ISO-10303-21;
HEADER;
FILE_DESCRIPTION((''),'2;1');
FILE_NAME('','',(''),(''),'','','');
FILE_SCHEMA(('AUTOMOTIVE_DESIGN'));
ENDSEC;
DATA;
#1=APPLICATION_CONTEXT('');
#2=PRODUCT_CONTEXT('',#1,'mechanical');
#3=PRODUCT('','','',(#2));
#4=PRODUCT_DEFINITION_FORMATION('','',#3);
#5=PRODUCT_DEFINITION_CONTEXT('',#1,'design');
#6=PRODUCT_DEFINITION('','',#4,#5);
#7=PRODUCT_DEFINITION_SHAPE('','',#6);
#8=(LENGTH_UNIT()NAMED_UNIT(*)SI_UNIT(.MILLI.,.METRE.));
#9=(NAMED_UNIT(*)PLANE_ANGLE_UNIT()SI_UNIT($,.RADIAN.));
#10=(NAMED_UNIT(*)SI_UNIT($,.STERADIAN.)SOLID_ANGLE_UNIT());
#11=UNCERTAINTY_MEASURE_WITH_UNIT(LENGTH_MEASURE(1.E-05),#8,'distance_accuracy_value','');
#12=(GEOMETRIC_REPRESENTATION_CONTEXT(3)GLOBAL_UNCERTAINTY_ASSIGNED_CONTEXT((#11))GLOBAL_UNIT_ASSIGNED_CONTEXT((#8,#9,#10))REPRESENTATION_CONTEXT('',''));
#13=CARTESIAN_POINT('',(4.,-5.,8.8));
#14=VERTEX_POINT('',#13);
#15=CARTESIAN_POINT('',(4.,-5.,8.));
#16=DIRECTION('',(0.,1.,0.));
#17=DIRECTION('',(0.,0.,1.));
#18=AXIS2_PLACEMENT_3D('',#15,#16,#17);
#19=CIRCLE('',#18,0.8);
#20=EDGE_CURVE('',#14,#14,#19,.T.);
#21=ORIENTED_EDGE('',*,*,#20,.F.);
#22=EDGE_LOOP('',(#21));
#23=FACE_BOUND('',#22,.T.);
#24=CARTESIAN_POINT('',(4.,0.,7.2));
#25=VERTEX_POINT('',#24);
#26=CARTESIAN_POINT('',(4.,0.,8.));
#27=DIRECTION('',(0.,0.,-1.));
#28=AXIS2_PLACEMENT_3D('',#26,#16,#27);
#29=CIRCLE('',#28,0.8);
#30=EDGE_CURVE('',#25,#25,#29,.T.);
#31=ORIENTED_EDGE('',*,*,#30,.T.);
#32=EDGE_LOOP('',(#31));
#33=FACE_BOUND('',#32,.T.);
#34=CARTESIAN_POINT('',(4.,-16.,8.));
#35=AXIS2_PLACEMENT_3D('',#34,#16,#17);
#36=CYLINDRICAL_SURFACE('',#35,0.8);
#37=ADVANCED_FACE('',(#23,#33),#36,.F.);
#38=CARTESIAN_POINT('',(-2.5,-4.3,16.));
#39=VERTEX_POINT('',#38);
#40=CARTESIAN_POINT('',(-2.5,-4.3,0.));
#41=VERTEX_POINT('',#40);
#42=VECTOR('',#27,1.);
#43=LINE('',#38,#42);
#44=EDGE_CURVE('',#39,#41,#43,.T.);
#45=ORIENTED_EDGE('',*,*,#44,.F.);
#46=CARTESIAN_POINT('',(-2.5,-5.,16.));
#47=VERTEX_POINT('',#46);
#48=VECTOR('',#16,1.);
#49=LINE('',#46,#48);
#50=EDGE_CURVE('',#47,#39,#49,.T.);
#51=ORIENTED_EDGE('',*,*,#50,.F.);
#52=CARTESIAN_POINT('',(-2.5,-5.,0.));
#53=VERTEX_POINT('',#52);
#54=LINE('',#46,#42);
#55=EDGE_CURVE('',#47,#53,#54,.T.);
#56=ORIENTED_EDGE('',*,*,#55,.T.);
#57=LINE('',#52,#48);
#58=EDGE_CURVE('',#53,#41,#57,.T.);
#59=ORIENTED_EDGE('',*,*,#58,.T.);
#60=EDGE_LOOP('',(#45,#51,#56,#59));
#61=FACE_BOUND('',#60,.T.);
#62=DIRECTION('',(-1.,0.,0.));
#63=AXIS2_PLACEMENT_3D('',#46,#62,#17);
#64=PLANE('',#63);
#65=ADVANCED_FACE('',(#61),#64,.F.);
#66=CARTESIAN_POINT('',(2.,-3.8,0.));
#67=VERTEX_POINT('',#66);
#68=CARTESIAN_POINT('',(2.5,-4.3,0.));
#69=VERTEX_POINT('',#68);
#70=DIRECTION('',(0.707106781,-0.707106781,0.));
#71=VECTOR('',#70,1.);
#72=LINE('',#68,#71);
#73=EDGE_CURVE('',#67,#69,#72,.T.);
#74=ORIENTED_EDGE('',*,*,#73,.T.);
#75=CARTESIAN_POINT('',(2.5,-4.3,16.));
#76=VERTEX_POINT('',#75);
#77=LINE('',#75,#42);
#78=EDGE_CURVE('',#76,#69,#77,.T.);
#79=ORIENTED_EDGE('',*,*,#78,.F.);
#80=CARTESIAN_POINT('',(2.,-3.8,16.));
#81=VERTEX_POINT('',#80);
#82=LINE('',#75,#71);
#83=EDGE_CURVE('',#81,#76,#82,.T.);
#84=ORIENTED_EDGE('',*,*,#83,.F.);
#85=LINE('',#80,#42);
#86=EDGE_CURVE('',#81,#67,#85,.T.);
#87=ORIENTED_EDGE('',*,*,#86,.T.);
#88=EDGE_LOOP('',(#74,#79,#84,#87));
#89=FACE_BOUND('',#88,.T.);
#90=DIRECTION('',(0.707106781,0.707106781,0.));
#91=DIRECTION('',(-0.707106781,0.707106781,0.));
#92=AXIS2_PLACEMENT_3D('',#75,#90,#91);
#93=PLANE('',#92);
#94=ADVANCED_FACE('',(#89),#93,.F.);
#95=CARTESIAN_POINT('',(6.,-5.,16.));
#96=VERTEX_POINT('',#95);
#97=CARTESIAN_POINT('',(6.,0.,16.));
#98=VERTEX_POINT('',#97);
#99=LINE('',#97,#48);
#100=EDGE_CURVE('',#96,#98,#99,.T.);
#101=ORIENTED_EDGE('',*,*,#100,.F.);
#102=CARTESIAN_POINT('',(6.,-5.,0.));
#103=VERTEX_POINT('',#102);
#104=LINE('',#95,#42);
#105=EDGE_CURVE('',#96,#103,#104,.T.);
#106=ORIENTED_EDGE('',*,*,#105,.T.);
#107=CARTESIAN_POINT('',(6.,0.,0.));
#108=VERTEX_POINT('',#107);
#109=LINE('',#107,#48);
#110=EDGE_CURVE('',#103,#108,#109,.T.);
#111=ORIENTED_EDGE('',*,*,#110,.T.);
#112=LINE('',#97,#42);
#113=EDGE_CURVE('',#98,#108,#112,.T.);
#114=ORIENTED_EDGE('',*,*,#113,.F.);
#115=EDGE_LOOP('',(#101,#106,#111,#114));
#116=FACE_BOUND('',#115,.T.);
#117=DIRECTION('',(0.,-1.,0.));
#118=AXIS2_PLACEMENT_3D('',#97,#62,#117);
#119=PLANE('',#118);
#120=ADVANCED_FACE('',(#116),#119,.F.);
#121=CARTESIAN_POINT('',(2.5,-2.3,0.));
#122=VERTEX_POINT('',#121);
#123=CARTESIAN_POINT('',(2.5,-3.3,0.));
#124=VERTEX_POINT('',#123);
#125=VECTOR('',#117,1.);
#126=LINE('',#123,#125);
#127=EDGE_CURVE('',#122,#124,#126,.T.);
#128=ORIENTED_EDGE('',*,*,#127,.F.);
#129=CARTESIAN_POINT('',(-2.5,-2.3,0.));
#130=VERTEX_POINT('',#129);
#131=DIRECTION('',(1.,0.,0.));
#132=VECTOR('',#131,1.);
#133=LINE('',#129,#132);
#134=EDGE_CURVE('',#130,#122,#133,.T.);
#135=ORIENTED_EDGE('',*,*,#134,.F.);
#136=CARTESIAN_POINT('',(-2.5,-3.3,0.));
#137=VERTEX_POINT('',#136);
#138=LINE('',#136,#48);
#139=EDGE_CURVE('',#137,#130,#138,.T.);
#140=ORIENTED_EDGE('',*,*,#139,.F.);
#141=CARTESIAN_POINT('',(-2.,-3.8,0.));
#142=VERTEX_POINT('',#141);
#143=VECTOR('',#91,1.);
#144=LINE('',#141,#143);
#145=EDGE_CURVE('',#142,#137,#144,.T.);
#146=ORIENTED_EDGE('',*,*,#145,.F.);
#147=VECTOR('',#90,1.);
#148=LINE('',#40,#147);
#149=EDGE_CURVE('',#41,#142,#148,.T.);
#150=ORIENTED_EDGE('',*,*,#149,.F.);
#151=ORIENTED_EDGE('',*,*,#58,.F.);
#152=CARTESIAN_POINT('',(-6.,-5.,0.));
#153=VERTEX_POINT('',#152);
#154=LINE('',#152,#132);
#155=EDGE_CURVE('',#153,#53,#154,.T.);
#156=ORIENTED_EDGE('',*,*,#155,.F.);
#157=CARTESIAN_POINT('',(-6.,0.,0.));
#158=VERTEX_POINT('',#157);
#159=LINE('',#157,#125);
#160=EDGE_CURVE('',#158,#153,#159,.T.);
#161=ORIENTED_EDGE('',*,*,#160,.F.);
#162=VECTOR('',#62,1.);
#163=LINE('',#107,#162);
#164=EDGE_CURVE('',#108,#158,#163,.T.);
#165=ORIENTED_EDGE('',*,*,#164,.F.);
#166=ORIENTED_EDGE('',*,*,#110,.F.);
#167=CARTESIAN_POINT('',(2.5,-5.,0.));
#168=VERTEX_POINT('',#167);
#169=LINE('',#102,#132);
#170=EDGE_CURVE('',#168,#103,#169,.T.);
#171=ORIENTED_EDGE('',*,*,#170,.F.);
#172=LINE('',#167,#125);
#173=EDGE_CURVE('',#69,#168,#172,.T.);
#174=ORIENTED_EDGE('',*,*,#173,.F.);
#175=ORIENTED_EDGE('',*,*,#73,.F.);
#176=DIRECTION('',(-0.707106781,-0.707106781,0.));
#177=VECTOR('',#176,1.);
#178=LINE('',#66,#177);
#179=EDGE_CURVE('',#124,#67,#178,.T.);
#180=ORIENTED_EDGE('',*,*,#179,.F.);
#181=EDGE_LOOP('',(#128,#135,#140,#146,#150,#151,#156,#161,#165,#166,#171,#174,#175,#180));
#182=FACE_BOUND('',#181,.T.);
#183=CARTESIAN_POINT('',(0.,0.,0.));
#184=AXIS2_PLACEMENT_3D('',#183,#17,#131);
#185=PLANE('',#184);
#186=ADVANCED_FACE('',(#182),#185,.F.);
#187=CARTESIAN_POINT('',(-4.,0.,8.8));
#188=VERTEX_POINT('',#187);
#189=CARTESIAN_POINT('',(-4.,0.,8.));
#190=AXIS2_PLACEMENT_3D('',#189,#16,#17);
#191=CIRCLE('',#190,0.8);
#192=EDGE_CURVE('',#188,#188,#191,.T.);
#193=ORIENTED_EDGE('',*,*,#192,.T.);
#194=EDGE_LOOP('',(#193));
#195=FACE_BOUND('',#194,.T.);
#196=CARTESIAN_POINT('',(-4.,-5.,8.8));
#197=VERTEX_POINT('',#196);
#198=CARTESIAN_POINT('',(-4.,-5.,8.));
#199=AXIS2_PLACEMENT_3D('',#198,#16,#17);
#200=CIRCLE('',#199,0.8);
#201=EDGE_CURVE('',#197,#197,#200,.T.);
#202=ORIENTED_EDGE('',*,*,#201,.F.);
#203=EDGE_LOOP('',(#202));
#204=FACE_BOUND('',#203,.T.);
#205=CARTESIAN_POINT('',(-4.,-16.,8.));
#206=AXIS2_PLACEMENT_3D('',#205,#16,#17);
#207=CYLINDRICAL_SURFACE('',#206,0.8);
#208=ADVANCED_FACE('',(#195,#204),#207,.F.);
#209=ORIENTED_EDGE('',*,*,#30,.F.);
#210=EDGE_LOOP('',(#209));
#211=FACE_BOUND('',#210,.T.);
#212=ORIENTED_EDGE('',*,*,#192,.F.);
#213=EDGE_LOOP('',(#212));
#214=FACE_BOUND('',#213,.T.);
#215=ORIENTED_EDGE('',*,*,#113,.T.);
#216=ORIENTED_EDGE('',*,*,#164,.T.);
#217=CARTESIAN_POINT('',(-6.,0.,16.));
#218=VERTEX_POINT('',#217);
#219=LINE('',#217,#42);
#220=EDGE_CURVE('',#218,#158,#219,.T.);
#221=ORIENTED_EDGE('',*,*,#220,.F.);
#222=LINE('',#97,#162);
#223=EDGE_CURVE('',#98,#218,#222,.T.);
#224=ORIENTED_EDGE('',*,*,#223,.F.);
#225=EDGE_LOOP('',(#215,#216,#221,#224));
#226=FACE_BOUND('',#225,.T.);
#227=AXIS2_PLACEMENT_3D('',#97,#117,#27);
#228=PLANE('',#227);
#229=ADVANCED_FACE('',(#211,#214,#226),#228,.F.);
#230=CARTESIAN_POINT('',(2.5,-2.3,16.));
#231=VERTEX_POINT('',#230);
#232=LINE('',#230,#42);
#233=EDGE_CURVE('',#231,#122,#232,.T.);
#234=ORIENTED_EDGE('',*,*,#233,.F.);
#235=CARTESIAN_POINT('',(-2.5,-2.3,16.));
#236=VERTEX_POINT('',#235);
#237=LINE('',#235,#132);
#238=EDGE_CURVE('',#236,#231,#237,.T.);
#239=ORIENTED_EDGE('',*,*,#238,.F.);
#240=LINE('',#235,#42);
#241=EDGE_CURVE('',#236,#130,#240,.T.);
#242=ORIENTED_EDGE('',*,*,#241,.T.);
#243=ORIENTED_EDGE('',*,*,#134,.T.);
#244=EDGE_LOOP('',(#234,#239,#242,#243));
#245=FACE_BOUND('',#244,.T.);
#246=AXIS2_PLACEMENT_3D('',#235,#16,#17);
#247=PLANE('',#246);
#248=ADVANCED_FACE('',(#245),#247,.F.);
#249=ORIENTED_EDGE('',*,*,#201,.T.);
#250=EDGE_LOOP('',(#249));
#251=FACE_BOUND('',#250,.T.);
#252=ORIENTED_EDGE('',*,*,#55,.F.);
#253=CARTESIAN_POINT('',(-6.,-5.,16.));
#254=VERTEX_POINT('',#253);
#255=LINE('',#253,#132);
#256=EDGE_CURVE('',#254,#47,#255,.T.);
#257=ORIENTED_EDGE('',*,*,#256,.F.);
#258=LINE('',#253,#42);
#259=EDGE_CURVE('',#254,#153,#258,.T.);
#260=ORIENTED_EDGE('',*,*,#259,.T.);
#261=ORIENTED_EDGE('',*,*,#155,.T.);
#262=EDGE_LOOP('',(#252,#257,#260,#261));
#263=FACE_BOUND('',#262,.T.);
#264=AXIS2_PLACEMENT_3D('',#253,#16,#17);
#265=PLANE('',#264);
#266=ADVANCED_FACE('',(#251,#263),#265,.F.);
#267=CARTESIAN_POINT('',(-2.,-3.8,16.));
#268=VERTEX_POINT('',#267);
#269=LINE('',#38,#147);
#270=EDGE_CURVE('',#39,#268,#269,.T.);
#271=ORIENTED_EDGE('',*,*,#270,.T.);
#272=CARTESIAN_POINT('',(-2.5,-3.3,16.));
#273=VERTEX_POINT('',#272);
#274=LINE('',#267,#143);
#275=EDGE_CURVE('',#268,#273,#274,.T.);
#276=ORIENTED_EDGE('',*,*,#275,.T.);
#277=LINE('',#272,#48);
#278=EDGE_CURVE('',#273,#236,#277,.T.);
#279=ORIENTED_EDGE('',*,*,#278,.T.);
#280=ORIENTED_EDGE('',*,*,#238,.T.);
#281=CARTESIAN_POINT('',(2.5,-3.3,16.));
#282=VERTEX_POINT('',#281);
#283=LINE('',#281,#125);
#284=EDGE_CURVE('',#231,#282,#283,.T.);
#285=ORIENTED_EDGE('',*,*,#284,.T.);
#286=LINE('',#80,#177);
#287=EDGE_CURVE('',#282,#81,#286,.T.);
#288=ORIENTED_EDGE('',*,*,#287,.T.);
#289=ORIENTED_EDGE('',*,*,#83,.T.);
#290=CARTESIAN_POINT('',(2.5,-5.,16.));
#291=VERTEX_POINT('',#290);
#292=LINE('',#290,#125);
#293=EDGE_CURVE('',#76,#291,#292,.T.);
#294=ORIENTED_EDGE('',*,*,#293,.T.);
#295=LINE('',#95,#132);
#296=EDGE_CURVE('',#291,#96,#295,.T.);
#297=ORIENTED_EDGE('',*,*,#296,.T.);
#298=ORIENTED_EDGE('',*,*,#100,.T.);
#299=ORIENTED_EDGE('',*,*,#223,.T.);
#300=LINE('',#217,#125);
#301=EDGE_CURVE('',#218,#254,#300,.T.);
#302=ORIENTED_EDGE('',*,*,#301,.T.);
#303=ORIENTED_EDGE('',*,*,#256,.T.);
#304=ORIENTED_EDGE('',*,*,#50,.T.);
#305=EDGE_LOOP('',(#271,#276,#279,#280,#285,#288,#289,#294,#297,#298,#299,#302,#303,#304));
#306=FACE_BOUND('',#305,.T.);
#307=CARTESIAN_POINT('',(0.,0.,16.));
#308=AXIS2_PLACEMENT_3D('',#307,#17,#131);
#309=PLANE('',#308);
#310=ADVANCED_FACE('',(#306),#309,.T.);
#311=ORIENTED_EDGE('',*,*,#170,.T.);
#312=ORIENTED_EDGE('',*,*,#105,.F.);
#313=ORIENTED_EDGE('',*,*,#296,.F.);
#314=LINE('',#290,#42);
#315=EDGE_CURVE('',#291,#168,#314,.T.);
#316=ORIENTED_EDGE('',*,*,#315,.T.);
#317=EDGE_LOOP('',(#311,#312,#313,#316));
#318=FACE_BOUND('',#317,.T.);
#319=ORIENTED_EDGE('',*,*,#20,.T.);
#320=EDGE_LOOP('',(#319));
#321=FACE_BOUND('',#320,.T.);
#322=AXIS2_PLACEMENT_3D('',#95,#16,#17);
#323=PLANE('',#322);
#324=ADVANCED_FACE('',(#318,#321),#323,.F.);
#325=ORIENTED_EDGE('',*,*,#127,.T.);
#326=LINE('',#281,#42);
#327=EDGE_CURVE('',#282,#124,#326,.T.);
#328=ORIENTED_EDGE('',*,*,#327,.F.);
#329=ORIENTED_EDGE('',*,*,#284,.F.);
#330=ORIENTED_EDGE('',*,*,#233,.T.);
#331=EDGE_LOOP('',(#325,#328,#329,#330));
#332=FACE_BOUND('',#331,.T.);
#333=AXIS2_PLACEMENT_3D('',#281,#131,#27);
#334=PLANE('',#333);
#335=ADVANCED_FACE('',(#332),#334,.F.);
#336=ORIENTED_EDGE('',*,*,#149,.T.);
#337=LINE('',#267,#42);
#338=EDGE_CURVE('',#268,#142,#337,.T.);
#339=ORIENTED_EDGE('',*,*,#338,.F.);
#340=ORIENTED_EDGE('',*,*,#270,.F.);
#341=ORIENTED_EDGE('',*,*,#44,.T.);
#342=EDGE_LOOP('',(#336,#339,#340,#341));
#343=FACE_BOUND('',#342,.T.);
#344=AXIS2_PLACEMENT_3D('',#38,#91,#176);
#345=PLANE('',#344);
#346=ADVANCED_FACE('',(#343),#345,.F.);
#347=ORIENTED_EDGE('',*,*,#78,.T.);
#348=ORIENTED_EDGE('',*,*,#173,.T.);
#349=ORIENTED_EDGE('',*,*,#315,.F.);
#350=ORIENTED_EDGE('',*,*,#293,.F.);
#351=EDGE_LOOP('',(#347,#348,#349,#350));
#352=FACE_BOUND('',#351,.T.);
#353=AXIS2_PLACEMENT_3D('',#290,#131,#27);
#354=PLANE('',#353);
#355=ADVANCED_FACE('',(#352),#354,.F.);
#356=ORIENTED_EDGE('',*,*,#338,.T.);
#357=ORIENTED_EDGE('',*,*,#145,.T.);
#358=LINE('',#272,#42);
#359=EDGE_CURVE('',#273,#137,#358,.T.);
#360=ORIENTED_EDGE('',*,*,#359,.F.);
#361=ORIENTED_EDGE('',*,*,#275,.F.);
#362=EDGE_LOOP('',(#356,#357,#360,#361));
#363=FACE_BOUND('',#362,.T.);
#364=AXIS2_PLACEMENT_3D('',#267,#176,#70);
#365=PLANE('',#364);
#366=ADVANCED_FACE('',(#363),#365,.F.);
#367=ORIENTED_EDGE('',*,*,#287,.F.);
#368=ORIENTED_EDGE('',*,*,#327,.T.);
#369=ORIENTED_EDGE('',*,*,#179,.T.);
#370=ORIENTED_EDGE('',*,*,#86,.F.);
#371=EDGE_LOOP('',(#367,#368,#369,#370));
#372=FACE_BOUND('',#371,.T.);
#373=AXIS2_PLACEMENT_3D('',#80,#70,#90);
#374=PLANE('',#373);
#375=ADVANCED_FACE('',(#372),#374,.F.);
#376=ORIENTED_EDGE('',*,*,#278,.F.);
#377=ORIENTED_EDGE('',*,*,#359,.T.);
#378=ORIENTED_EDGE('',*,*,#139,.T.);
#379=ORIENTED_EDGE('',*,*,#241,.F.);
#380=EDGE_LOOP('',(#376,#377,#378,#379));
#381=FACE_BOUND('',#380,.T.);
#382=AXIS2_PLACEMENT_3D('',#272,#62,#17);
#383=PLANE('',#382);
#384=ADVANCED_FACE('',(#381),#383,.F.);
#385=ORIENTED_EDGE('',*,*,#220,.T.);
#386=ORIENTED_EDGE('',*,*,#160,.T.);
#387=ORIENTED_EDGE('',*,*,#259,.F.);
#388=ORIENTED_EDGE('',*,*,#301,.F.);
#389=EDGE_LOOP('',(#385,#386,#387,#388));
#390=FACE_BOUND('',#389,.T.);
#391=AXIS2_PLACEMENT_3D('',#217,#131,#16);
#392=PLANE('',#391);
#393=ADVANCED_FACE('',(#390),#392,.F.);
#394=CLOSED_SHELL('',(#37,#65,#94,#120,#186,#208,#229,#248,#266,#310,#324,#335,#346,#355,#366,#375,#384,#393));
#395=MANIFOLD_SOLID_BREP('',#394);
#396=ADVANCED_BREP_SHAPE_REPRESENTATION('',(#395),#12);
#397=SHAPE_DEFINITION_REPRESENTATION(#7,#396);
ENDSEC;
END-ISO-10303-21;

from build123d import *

# Parameters (mm, degrees)
BOSS_EXTRUDE1_DEPTH = 16
SKETCH2_R           = 0.8
CUT_EXTRUDE1_DEPTH  = 16


with BuildPart() as part:
    # Sketch1 → Boss-Extrude1 (new body)
    with BuildSketch(Plane.XY):
        Polygon((6, 0), (-6, 0), (-6, -5), (-2.5, -5), (-2.5, -4.3), (-2, -3.8), (-2.5, -3.3), (-2.5, -2.3), (2.5, -2.3), (2.5, -3.3), (2, -3.8), (2.5, -4.3), (2.5, -5), (6, -5), align=None)
    extrude(amount=BOSS_EXTRUDE1_DEPTH)

    # Sketch2 → Cut-Extrude1 (cut)
    with BuildSketch(Plane(origin=(0, 0, 0), x_dir=(1, 0, 0), z_dir=(0, 1, 0))):
        with Locations(Location((-4, -8, 0), (0, 0, 270))):
            Circle(SKETCH2_R)
        with Locations(Location((4, -8, 0), (0, 0, 270))):
            Circle(SKETCH2_R)
    extrude(amount=-CUT_EXTRUDE1_DEPTH, mode=Mode.SUBTRACT)


solid = part.part
